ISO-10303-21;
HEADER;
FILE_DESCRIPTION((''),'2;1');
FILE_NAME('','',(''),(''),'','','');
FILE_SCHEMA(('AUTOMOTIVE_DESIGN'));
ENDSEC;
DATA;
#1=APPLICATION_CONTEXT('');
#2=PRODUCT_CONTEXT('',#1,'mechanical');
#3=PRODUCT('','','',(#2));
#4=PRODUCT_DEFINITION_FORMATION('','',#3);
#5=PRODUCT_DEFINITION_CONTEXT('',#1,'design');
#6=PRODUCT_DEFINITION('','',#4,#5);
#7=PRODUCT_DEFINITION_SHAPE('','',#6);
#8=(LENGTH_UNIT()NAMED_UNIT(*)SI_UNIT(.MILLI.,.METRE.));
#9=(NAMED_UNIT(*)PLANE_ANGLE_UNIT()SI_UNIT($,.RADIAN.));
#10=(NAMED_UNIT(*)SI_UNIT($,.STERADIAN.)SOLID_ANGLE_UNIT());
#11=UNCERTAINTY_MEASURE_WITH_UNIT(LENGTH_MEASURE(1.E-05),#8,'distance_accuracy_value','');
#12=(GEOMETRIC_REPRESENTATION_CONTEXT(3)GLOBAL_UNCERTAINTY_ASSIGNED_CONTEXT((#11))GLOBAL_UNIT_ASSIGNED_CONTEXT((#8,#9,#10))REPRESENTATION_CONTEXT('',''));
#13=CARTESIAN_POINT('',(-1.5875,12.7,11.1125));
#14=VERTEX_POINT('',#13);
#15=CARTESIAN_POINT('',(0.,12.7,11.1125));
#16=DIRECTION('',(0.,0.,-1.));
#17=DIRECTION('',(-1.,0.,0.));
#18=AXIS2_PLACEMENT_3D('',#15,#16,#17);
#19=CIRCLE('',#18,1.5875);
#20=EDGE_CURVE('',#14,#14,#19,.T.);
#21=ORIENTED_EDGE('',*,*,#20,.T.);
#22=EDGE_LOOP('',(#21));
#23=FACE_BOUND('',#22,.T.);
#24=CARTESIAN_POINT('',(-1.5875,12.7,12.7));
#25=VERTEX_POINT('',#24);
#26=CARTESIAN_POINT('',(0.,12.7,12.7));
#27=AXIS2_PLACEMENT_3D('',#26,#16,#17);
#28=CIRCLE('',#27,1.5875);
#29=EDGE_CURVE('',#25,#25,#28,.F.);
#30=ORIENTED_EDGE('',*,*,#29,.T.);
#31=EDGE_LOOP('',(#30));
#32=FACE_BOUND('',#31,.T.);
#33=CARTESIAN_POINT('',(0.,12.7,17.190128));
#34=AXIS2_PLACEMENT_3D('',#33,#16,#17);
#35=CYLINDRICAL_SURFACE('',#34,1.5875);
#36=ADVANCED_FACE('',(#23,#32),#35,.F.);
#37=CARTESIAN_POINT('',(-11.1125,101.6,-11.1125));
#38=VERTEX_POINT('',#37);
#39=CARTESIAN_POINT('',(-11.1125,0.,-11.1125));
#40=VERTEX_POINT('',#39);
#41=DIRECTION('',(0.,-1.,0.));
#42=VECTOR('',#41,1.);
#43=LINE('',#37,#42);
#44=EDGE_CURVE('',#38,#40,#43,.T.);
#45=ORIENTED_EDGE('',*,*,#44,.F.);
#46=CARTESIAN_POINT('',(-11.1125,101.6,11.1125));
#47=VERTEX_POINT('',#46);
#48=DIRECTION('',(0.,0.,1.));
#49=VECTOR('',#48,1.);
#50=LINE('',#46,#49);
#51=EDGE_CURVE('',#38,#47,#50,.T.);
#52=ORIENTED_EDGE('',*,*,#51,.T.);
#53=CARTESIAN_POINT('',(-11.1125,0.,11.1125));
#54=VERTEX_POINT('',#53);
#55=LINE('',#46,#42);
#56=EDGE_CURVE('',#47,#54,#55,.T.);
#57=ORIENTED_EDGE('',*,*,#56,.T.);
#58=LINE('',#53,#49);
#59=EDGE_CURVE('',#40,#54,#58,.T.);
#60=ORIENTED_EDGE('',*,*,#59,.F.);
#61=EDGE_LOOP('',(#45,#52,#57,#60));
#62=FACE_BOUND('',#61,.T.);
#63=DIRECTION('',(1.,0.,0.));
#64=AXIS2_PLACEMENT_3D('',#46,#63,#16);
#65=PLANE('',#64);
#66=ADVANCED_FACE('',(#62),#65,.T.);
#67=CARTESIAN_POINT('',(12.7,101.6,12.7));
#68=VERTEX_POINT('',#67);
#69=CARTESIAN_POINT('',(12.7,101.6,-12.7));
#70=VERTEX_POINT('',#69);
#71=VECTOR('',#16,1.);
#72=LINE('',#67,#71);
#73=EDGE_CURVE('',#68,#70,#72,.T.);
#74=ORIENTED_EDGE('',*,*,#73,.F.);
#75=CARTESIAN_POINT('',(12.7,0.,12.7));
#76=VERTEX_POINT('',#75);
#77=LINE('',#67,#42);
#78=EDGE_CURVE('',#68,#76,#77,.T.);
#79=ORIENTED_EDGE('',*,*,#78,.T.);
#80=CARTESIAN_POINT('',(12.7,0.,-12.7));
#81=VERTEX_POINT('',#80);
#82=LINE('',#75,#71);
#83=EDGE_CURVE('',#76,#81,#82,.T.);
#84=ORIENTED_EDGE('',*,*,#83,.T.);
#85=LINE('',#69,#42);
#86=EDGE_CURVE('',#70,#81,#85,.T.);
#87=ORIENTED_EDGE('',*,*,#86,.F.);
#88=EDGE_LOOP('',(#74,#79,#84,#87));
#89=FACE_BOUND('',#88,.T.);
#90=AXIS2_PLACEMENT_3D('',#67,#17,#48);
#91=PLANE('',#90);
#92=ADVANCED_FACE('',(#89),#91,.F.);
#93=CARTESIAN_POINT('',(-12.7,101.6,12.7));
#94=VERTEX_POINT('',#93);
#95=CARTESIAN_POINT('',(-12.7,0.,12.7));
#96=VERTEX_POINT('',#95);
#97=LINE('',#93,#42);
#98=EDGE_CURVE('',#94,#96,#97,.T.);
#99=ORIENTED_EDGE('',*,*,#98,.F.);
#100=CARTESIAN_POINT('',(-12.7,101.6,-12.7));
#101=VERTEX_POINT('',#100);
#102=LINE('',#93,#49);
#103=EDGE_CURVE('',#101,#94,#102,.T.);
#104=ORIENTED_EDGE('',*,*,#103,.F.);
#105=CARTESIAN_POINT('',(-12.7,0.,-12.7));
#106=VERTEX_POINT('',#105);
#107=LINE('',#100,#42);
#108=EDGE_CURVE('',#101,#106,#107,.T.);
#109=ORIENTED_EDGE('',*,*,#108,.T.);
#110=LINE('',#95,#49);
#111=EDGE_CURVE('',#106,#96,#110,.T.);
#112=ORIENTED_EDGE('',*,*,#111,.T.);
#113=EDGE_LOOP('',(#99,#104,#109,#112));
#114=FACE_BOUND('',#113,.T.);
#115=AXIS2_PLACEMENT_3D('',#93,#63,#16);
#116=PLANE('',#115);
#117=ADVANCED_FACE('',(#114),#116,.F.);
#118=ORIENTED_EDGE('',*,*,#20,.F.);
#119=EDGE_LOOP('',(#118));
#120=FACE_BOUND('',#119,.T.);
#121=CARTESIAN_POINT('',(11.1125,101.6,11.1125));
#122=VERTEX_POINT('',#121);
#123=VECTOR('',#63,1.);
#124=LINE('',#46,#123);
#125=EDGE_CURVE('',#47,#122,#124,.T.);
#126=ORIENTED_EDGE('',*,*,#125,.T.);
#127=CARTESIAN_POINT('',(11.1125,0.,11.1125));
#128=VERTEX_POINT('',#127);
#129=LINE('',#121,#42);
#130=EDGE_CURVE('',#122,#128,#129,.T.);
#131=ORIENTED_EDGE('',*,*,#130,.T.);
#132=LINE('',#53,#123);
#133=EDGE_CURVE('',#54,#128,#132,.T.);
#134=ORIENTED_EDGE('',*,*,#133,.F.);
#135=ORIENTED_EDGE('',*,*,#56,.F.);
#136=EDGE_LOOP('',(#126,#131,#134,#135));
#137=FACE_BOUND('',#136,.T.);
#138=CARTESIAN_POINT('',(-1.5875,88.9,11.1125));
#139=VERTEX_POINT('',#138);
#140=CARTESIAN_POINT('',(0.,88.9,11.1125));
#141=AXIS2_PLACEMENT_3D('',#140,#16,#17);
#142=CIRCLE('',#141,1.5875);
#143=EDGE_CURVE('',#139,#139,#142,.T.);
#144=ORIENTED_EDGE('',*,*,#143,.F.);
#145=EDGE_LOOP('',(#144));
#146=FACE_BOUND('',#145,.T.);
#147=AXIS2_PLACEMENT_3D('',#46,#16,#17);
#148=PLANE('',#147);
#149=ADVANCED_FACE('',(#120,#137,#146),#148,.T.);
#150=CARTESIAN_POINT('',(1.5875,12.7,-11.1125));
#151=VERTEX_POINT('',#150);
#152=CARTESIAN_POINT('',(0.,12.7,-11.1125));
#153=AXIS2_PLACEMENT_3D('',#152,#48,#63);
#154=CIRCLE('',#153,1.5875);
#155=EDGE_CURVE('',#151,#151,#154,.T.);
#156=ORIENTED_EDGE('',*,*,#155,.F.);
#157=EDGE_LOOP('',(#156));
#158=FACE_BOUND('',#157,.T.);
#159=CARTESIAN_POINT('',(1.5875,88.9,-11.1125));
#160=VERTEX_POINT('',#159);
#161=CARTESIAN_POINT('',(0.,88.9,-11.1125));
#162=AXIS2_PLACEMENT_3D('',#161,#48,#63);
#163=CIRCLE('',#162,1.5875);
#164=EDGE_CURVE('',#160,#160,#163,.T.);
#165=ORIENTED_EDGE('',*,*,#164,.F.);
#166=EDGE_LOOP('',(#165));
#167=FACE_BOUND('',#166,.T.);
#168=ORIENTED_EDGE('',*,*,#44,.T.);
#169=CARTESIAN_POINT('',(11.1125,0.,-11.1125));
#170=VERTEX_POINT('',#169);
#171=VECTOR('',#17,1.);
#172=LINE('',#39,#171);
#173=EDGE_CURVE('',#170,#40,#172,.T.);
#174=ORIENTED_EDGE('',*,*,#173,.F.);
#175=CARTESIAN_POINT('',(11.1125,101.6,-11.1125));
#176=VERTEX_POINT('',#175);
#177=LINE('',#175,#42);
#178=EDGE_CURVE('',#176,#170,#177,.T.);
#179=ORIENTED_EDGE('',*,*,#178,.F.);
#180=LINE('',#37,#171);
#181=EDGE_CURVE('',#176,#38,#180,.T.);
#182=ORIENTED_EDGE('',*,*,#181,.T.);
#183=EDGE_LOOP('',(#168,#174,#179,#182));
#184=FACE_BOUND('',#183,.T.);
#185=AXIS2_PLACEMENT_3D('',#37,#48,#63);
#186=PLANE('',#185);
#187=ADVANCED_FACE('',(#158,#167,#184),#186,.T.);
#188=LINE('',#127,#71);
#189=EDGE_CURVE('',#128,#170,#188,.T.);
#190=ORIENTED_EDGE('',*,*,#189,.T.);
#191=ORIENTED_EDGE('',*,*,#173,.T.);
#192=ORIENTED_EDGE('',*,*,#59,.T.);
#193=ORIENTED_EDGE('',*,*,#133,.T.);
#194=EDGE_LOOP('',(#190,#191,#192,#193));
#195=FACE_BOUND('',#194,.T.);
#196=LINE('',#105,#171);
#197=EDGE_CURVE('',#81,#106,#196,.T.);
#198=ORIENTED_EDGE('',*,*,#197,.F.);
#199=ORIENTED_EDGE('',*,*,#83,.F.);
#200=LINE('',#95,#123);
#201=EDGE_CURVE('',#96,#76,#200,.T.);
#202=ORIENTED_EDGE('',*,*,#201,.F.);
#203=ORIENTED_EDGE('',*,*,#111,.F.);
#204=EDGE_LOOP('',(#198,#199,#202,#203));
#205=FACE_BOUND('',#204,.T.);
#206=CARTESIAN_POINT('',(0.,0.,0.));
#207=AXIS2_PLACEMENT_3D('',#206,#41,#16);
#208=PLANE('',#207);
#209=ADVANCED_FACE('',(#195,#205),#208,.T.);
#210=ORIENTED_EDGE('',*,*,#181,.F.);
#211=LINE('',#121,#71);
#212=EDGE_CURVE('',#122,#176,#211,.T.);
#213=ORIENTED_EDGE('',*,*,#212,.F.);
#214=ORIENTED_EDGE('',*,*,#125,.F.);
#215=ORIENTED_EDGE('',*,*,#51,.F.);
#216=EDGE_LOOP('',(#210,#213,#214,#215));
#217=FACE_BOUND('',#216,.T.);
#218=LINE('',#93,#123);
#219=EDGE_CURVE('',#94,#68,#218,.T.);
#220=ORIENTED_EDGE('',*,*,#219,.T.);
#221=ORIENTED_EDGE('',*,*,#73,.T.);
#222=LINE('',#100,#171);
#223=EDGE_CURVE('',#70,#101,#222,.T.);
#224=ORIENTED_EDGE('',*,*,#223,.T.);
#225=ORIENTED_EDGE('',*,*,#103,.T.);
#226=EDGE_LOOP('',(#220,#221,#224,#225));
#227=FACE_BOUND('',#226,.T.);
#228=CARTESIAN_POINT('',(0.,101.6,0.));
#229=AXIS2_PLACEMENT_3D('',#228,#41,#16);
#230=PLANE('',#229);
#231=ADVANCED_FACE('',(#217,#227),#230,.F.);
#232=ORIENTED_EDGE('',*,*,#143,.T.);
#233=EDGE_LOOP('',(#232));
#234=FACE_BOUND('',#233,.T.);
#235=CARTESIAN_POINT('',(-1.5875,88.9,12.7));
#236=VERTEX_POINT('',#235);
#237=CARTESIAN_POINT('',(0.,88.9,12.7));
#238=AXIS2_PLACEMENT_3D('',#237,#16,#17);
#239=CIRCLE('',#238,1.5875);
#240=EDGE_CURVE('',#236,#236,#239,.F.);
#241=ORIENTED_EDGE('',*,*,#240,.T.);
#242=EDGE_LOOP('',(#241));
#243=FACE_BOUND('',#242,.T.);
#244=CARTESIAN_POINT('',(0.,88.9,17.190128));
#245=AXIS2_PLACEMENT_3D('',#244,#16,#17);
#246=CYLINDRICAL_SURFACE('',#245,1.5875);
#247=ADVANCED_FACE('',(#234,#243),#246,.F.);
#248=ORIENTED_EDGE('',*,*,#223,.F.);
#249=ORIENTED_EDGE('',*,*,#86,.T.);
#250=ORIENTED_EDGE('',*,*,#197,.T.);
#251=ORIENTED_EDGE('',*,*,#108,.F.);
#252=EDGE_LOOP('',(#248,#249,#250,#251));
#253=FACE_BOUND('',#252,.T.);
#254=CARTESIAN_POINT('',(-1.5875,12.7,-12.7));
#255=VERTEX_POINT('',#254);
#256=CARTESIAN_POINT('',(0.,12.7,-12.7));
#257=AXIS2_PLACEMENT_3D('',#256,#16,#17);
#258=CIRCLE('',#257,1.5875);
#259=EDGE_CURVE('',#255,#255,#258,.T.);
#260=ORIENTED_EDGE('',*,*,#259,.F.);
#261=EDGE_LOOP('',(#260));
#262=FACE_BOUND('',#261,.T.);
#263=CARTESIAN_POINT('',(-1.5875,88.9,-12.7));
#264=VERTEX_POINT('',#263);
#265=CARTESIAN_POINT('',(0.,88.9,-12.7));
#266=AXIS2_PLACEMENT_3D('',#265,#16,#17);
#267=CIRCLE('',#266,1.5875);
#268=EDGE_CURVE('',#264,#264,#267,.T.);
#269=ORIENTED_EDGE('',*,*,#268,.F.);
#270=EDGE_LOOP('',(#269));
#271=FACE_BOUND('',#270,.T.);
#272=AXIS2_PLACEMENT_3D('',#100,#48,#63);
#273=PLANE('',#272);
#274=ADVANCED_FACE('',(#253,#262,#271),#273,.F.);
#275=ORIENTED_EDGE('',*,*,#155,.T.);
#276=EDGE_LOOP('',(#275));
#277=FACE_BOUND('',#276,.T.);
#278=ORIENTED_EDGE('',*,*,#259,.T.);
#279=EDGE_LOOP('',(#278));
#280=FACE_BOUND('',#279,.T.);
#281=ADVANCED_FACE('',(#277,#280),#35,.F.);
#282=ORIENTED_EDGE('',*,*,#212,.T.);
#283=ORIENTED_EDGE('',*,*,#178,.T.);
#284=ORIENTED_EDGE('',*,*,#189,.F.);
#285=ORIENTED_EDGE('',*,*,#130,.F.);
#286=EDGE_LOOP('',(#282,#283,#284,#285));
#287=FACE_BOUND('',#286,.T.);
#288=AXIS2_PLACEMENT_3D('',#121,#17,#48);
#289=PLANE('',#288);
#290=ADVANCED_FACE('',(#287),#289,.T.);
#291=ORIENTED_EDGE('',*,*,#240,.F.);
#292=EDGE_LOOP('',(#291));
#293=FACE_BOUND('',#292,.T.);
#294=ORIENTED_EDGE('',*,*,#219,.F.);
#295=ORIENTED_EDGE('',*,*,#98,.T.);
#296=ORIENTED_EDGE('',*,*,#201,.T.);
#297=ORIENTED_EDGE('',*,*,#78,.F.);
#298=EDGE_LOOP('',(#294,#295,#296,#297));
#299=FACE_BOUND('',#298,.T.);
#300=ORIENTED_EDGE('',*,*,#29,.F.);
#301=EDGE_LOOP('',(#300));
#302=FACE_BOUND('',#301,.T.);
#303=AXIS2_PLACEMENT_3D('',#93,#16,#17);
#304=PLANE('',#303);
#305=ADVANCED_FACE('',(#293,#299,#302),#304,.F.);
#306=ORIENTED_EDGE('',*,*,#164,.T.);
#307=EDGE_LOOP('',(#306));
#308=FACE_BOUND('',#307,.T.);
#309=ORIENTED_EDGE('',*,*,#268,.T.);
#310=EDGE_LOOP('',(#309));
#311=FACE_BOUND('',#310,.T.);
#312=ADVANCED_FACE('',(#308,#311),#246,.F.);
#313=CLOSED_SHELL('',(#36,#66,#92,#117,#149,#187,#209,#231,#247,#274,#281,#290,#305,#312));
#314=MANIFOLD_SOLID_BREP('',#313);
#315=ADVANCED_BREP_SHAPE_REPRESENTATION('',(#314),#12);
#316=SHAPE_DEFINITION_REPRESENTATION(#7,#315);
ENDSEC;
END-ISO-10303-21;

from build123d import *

# Parameters (mm, degrees)
SKETCH1_W           = 25.4
SKETCH1_H           = 25.4
SKETCH1_W_2         = 22.225
SKETCH1_H_2         = 22.225
BOSS_EXTRUDE1_DEPTH = 101.6
SKETCH2_R           = 1.5875
CUT_EXTRUDE1_DEPTH  = 25.4


with BuildPart() as part:
    # Sketch1 → Boss-Extrude1 (new body)
    with BuildSketch(Plane(origin=(0, 0, 0), x_dir=(1, 0, 0), z_dir=(0, 1, 0))):
        Rectangle(SKETCH1_W, SKETCH1_H)
        Rectangle(SKETCH1_W_2, SKETCH1_H_2, mode=Mode.SUBTRACT)
    extrude(amount=BOSS_EXTRUDE1_DEPTH)

    # Sketch2 → Cut-Extrude1 (cut)
    with BuildSketch(Plane(origin=(0, 0, -12.7), x_dir=(-1, 0, 0), z_dir=(0, 0, -1))):
        with Locations((0, 88.9)):
            Circle(SKETCH2_R)
        with Locations((0, 12.7)):
            Circle(SKETCH2_R)
    extrude(amount=-CUT_EXTRUDE1_DEPTH, mode=Mode.SUBTRACT)


solid = part.part
